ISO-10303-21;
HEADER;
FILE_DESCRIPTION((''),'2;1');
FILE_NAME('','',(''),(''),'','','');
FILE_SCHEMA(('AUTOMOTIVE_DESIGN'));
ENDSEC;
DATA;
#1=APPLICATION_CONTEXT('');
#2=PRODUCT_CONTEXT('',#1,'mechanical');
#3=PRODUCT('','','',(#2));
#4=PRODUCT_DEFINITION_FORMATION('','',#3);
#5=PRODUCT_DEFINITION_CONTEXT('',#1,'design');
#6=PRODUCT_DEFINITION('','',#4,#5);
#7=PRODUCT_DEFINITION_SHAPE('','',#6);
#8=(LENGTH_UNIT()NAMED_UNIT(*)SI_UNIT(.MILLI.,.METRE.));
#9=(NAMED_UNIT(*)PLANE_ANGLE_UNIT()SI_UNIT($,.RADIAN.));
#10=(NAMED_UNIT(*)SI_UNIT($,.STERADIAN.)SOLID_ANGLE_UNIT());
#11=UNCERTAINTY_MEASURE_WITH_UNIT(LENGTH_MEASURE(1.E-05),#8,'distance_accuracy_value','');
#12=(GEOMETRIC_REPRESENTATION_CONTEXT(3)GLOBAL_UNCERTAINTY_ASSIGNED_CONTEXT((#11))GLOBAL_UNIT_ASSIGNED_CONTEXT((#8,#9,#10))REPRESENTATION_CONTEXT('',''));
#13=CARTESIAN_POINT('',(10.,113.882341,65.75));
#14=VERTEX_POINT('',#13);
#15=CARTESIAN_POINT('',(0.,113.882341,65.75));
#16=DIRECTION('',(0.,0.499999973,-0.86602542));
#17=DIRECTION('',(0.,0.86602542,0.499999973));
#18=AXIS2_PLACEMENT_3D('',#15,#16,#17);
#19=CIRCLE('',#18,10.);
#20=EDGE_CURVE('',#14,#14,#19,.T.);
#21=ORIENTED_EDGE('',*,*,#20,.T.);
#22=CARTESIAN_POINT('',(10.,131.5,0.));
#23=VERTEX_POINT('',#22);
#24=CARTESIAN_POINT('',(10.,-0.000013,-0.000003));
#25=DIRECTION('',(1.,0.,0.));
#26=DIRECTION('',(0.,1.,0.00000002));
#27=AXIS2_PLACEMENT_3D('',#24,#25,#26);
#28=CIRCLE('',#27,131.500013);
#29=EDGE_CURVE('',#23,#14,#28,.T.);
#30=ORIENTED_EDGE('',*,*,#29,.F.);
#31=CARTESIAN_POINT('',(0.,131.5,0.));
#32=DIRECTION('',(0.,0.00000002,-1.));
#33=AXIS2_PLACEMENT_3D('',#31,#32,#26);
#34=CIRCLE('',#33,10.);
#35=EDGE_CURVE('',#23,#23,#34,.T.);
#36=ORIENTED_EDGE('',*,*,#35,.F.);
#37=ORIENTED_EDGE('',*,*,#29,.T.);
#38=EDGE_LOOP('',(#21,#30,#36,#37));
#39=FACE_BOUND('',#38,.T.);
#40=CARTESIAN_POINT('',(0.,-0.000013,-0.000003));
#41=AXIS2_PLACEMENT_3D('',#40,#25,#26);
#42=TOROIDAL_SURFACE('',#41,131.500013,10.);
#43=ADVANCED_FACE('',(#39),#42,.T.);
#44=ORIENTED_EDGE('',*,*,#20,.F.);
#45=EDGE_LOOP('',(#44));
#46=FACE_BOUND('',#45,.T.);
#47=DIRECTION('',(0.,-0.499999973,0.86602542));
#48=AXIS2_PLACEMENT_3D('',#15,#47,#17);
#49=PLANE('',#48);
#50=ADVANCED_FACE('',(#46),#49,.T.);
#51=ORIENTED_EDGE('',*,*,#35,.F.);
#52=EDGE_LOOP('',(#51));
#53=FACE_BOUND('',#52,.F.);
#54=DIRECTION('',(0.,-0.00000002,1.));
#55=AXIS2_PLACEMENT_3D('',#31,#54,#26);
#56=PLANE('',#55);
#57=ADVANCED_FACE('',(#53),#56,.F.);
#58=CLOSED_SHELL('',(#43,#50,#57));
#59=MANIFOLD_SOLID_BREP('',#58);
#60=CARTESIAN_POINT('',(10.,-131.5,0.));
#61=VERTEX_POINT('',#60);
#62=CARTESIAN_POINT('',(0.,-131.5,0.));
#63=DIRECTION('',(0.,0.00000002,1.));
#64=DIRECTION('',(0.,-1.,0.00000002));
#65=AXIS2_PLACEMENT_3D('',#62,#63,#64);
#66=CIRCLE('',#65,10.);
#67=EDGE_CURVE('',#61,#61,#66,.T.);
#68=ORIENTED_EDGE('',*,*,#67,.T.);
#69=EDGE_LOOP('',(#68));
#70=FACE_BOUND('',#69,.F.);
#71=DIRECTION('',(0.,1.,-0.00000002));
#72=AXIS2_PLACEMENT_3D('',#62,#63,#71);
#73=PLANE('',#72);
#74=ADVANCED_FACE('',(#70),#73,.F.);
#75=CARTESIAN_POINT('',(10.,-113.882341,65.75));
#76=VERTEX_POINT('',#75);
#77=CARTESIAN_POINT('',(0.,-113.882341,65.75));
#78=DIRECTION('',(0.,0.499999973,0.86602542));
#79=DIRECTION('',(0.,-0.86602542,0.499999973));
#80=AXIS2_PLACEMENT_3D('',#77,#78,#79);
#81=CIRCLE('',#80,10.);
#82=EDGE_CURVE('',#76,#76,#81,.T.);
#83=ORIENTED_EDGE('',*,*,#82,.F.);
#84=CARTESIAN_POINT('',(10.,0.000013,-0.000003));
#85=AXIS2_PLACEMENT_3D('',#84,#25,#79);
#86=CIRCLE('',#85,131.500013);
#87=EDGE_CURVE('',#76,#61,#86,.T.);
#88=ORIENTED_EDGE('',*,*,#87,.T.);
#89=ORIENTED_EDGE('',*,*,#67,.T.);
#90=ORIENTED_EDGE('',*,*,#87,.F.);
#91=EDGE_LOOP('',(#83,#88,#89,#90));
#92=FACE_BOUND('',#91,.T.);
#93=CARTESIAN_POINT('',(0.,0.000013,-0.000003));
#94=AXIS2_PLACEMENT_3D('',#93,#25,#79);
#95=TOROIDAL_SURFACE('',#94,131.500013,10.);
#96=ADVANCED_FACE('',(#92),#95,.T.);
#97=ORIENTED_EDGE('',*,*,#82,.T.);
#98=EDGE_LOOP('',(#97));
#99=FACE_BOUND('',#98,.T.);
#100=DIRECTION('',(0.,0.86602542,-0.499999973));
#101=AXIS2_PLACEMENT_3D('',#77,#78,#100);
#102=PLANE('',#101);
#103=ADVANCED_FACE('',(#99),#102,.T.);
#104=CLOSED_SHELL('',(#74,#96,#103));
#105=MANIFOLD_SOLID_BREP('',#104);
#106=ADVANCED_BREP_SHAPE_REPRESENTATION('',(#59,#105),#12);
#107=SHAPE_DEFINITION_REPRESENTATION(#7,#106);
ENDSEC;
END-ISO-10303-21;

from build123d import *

# Parameters (mm, degrees)
F0_R = 10


with BuildPart() as f2:
    # F2: sweep along a path in F1
    with BuildLine(Plane.YZ) as f2_path:
        ThreePointArc((-113.882341, 65.75), (-127.019246, 34.034704), (-131.5, 0))
    # F0 (on Top) → F2 (sweep)
    with BuildSketch(Plane.XY):
        with Locations((0, -131.5)):
            Circle(F0_R)
    sweep(path=f2_path.line)


with BuildPart() as f3:
    # F3: sweep along a path in F1
    with BuildLine(Plane.YZ) as f3_path:
        ThreePointArc((131.5, 0), (127.019246, 34.034704), (113.882341, 65.75))
    # F0 (on Top) → F3 (sweep)
    with BuildSketch(Plane.XY):
        with Locations((0, 131.5)):
            Circle(F0_R)
    sweep(path=f3_path.line)


solid = Compound([f2.part, f3.part])
